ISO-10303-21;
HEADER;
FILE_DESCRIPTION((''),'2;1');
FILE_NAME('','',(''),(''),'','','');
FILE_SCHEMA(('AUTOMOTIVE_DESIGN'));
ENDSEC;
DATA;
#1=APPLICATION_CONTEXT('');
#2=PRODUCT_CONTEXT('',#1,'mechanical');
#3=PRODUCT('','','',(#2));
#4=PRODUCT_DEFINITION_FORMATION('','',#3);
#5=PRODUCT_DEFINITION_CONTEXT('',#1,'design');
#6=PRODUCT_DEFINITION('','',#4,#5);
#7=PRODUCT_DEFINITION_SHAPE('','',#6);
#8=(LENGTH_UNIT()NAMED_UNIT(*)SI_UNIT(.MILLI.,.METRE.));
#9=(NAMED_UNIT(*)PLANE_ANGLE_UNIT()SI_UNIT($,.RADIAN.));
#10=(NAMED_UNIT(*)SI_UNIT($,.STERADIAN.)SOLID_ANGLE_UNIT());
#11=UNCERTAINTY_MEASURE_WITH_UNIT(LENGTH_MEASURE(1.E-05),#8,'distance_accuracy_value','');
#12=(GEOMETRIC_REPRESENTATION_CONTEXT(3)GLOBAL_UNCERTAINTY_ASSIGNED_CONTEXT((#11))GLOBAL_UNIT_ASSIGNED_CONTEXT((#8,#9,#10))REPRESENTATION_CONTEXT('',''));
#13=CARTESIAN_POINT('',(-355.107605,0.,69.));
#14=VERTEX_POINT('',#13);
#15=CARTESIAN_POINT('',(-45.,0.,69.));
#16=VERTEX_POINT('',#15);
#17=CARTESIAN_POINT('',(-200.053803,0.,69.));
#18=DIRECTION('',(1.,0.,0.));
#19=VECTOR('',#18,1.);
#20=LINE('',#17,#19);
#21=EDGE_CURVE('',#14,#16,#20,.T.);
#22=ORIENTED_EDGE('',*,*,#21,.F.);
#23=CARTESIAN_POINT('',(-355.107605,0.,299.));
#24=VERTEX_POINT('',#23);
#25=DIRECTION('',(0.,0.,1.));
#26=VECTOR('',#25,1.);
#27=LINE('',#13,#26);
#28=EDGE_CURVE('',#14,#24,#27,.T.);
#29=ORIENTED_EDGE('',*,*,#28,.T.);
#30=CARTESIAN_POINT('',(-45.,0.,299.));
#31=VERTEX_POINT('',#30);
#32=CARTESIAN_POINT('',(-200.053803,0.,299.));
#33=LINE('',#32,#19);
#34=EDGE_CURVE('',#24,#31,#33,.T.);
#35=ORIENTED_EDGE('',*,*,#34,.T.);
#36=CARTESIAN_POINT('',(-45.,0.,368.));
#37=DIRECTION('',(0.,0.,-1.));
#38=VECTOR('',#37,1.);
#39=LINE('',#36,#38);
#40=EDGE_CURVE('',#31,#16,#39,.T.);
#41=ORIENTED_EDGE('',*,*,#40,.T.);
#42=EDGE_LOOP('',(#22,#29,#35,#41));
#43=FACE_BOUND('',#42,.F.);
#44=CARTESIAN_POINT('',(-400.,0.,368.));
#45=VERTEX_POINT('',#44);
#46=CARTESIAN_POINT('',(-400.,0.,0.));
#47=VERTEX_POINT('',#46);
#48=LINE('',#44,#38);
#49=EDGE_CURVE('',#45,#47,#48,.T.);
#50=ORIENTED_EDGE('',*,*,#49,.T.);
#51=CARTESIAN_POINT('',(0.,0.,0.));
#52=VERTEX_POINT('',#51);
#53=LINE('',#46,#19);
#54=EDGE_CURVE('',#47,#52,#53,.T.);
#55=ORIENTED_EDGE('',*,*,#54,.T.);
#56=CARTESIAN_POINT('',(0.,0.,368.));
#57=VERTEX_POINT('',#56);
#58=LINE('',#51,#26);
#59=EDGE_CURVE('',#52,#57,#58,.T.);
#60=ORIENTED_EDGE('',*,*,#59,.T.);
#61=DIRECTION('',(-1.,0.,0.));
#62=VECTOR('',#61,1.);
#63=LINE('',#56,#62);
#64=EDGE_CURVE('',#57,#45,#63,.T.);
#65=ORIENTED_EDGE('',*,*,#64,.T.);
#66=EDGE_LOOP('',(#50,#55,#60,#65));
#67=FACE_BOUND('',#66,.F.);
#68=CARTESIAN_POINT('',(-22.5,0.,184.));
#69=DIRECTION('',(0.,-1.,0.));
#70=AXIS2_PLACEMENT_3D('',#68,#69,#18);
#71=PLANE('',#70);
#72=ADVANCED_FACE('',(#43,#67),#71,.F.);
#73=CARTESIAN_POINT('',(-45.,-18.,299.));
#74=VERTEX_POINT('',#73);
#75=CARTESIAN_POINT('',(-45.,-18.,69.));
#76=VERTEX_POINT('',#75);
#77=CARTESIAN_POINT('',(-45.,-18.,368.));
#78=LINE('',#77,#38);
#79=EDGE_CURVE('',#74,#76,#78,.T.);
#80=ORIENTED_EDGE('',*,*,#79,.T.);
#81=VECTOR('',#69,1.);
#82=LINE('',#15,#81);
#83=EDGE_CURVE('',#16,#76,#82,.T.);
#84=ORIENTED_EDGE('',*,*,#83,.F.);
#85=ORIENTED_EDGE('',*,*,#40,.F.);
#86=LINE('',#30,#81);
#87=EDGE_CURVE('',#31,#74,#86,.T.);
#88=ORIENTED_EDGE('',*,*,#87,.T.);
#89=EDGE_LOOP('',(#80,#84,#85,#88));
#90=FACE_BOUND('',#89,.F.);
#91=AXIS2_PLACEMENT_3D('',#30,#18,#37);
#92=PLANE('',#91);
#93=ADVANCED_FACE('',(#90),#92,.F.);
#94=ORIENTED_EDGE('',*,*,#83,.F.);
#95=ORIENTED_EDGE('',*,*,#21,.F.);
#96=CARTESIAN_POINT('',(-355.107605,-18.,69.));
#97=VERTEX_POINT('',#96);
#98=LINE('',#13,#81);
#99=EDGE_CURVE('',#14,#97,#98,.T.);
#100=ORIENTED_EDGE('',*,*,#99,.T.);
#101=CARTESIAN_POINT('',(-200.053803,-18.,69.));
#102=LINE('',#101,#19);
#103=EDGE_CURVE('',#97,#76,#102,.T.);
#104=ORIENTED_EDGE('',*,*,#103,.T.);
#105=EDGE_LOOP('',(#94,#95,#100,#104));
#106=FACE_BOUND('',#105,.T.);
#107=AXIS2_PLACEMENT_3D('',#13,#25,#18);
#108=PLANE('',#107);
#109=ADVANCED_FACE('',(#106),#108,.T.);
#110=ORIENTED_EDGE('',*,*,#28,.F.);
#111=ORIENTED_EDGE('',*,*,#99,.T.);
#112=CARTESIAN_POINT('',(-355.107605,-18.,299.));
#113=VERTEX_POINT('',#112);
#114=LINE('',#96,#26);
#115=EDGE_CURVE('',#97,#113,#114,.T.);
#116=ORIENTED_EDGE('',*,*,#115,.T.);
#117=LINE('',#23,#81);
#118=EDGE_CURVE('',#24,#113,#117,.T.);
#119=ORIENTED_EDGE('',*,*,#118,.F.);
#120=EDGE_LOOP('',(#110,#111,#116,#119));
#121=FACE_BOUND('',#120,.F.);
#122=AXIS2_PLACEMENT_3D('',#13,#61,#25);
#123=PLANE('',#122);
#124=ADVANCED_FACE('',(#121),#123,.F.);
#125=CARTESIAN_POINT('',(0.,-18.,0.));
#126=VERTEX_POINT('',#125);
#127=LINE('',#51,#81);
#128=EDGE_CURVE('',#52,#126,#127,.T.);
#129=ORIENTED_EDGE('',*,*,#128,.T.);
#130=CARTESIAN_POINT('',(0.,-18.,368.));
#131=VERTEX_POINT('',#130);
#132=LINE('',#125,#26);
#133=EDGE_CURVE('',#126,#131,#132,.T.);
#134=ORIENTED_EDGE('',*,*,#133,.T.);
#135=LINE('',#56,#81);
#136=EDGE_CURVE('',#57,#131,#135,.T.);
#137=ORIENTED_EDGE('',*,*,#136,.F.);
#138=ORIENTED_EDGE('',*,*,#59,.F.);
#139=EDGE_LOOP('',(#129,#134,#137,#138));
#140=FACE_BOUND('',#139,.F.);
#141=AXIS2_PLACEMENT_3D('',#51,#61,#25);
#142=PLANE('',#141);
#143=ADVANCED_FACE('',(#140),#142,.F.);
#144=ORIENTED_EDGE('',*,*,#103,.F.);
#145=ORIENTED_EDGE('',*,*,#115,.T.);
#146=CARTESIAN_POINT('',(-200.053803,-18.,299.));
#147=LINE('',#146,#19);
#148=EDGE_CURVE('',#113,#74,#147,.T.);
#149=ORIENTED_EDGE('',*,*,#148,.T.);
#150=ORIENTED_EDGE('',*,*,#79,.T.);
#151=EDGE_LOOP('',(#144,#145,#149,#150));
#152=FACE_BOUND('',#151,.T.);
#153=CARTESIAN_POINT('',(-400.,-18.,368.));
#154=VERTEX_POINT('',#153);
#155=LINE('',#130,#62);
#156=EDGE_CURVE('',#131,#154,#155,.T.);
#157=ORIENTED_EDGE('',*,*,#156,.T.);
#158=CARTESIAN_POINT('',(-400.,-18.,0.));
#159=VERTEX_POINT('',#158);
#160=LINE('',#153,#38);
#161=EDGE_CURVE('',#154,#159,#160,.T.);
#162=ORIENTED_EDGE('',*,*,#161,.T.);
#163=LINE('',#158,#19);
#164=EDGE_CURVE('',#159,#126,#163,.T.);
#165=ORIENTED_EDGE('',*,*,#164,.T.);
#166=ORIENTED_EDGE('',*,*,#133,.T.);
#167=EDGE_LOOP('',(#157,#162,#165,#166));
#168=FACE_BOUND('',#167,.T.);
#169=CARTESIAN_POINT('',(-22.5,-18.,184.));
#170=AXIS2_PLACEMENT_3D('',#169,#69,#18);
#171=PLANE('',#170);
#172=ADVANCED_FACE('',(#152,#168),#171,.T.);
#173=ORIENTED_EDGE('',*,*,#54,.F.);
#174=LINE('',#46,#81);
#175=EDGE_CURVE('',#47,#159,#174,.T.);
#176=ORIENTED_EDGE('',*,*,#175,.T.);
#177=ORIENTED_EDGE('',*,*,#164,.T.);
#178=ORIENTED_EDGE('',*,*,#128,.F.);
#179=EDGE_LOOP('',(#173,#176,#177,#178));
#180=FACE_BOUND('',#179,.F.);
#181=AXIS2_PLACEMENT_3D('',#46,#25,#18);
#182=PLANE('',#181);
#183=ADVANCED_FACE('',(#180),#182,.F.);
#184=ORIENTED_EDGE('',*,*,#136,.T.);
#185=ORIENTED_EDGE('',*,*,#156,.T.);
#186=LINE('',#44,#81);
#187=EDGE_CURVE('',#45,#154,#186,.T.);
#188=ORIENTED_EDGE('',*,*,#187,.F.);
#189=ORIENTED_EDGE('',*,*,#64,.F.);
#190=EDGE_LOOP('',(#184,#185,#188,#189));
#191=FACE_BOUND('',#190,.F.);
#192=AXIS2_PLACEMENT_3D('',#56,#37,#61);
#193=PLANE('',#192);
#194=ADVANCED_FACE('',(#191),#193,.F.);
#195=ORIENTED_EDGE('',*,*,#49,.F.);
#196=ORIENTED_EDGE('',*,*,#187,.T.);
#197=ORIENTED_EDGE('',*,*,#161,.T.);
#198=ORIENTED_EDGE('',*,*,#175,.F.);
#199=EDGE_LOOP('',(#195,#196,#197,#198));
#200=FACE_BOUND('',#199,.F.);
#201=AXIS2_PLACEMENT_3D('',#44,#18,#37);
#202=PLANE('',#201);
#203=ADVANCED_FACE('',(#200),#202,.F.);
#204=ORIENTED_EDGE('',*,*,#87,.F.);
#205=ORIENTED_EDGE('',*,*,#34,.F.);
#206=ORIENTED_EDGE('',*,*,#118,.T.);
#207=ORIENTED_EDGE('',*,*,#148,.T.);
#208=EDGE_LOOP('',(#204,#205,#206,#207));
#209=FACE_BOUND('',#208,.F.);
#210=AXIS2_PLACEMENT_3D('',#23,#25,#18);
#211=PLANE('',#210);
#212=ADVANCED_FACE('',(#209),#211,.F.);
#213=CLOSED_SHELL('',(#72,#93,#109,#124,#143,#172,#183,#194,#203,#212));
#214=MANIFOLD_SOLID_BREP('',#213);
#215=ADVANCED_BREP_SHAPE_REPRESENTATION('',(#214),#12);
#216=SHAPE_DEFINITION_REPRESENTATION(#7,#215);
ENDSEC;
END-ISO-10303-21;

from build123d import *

# Parameters (mm, degrees)
F0_W     = 310.1076054573
F0_H     = 69
F1_DEPTH = 18


with BuildPart() as f1:
    # F0 (on Front) → F1 (new body)
    with BuildSketch(Plane.XZ):
        Polygon((-45, 0), (0, 0), (0, 368), (-45, 368), (-45, 299), (-45, 69), align=None)
        with Locations((-200.0538027287, 34.5)):
            Rectangle(F0_W, F0_H)
        Polygon((-400, 0), (-355.1076054573, 0), (-355.1076054573, 69), (-355.1076054573, 299), (-355.1076054573, 368), (-400, 368), align=None)
        with Locations((-200.0538027287, 333.5)):
            Rectangle(F0_W, F0_H)
    extrude(amount=F1_DEPTH)


solid = f1.part
